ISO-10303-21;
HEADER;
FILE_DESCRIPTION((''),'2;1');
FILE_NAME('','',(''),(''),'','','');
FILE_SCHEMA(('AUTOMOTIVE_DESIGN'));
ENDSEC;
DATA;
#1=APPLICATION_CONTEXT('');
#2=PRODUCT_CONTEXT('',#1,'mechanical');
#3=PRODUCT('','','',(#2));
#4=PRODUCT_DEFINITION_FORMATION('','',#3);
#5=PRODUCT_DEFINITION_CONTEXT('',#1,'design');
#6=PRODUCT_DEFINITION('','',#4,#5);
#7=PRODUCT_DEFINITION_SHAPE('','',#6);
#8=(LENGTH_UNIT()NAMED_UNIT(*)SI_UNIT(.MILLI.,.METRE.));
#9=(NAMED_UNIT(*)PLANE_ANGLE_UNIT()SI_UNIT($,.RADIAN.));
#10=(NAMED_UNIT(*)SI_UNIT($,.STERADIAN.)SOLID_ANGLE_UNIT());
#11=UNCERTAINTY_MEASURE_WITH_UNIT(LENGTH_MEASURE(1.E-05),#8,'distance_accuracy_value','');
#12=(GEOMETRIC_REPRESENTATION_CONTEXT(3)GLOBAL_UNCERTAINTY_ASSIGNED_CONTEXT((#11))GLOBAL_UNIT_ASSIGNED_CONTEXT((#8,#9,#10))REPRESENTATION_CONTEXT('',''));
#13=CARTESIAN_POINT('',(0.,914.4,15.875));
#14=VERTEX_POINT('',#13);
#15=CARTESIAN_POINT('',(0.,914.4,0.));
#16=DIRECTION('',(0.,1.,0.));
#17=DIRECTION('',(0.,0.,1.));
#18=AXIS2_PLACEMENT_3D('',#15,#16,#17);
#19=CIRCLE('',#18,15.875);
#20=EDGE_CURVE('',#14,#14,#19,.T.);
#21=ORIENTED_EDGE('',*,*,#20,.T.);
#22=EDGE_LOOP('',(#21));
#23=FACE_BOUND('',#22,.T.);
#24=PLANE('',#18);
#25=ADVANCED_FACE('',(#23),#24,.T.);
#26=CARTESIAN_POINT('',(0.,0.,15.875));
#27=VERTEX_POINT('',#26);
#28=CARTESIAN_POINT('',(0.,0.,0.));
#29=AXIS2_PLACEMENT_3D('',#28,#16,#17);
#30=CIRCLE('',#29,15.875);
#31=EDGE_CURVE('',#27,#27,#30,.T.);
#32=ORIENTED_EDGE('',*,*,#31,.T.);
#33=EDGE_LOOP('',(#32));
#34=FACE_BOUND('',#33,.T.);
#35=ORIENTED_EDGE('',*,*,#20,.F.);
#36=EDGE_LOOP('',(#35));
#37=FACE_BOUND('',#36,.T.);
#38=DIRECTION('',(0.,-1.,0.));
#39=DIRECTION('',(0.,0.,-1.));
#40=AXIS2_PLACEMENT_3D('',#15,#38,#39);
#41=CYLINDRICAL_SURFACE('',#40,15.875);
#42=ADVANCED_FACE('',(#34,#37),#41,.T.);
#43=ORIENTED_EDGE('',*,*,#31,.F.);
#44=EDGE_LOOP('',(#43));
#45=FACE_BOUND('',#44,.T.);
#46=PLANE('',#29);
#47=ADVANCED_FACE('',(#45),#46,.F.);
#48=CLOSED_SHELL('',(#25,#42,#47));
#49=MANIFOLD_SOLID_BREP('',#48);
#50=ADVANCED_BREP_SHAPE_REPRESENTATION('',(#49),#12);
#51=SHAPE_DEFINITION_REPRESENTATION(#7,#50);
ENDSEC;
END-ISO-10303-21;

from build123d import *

# Parameters (mm, degrees)
SKETCH1_R             = 15.875
SHAFT_EXTRUSION_DEPTH = 914.4


with BuildPart() as part:
    # Sketch1 → Shaft extrusion (new body)
    with BuildSketch(Plane(origin=(0, 0, 0), x_dir=(1, 0, 0), z_dir=(0, 1, 0))):
        with Locations(Location((0, 0, 0), (0, 0, 270))):
            Circle(SKETCH1_R)
    extrude(amount=SHAFT_EXTRUSION_DEPTH)


solid = part.part
